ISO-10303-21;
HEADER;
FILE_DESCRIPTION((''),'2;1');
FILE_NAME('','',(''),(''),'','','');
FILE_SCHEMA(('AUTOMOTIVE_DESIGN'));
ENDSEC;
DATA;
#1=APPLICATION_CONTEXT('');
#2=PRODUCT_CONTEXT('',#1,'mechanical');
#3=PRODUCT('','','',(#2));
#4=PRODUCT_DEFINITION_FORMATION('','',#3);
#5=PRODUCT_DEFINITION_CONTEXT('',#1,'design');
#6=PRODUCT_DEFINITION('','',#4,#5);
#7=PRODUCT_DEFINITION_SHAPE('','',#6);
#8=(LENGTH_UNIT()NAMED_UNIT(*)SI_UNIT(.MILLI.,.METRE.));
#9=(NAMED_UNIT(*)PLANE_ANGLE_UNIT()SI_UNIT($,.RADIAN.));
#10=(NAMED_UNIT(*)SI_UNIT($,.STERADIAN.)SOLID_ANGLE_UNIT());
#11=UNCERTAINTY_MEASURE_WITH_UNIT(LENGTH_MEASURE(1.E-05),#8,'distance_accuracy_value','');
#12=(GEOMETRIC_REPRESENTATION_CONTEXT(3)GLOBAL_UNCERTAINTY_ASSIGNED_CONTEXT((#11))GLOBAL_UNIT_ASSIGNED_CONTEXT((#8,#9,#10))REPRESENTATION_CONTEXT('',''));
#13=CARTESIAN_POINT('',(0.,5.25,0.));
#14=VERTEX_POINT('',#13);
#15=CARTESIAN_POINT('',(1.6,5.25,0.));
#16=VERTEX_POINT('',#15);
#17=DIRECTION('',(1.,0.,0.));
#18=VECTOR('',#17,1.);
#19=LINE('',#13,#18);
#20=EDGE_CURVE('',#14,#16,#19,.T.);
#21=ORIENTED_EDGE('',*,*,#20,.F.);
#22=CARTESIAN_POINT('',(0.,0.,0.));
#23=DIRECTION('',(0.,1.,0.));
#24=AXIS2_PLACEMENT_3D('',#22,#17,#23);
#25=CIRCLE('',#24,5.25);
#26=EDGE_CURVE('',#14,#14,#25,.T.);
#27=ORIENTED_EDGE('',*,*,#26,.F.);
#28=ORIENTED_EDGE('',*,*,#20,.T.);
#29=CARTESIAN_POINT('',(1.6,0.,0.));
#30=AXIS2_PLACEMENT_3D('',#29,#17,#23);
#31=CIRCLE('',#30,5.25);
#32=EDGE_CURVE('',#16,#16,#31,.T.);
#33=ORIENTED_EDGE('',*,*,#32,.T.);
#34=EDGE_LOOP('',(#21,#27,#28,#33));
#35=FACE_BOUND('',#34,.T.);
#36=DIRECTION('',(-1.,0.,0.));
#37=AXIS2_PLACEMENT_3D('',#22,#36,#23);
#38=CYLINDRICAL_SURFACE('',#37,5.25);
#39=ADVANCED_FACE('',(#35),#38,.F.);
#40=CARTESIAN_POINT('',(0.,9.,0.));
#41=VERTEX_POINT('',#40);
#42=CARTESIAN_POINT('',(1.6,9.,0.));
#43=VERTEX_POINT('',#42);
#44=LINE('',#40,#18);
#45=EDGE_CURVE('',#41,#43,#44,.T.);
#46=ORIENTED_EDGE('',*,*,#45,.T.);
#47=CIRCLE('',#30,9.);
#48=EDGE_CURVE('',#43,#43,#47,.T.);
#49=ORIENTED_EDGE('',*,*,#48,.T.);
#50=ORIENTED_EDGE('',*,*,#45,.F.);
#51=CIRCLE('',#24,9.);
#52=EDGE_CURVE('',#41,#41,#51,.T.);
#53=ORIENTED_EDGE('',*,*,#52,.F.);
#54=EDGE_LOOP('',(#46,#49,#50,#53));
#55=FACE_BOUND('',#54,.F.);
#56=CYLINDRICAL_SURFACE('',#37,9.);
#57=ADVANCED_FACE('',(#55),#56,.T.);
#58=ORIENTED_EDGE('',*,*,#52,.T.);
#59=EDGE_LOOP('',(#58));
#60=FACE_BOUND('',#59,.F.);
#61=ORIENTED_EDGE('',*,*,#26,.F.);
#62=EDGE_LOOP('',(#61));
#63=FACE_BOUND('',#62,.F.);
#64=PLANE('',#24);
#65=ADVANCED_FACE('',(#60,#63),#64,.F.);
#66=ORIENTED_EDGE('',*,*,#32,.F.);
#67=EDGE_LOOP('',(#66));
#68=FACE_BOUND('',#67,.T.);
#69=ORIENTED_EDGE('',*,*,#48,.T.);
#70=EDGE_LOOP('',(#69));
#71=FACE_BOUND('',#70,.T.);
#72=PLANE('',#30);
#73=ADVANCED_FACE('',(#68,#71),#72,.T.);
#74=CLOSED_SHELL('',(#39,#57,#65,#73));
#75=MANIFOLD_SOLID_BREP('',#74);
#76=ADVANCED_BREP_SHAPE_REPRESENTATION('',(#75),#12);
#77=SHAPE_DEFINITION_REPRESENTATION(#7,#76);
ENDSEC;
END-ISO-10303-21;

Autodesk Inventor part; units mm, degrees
ref_plane "YZ Plane" through (0, 0, 0) normal (1, 0, 0) x (0, 1, 0)
ref_plane "XZ Plane" through (0, 0, 0) normal (0, 1, 0) x (-1, 0, 0)
sketch "Sketch" plane through (0, 0, 0) normal (1, 0, 0) x (0, 1, 0)
  circle A0 centre (0, 0) radius 9
  circle A1 centre (0, 0) radius 5.25
  dimension "d0" = 10.5
  dimension "d1" = 18
extrude "Body" add sketch "Sketch" along normal blind 1.6
ref_plane "Work Plane1" through (0, 0, 0) normal (0, 0, 1) x (1, 0, 0)
equation "\"d0\" = SD1"
equation "\"d1\" = SD2"
equation "\"d2\" = SD"
equation "\"SD1\" = 10.5"
equation "\"SD2\" = 18"
equation "\"SD\" = 1.6"
properties part number "ISO 7092 - ST 10 - 140 HV" material "Stainless Steel"
